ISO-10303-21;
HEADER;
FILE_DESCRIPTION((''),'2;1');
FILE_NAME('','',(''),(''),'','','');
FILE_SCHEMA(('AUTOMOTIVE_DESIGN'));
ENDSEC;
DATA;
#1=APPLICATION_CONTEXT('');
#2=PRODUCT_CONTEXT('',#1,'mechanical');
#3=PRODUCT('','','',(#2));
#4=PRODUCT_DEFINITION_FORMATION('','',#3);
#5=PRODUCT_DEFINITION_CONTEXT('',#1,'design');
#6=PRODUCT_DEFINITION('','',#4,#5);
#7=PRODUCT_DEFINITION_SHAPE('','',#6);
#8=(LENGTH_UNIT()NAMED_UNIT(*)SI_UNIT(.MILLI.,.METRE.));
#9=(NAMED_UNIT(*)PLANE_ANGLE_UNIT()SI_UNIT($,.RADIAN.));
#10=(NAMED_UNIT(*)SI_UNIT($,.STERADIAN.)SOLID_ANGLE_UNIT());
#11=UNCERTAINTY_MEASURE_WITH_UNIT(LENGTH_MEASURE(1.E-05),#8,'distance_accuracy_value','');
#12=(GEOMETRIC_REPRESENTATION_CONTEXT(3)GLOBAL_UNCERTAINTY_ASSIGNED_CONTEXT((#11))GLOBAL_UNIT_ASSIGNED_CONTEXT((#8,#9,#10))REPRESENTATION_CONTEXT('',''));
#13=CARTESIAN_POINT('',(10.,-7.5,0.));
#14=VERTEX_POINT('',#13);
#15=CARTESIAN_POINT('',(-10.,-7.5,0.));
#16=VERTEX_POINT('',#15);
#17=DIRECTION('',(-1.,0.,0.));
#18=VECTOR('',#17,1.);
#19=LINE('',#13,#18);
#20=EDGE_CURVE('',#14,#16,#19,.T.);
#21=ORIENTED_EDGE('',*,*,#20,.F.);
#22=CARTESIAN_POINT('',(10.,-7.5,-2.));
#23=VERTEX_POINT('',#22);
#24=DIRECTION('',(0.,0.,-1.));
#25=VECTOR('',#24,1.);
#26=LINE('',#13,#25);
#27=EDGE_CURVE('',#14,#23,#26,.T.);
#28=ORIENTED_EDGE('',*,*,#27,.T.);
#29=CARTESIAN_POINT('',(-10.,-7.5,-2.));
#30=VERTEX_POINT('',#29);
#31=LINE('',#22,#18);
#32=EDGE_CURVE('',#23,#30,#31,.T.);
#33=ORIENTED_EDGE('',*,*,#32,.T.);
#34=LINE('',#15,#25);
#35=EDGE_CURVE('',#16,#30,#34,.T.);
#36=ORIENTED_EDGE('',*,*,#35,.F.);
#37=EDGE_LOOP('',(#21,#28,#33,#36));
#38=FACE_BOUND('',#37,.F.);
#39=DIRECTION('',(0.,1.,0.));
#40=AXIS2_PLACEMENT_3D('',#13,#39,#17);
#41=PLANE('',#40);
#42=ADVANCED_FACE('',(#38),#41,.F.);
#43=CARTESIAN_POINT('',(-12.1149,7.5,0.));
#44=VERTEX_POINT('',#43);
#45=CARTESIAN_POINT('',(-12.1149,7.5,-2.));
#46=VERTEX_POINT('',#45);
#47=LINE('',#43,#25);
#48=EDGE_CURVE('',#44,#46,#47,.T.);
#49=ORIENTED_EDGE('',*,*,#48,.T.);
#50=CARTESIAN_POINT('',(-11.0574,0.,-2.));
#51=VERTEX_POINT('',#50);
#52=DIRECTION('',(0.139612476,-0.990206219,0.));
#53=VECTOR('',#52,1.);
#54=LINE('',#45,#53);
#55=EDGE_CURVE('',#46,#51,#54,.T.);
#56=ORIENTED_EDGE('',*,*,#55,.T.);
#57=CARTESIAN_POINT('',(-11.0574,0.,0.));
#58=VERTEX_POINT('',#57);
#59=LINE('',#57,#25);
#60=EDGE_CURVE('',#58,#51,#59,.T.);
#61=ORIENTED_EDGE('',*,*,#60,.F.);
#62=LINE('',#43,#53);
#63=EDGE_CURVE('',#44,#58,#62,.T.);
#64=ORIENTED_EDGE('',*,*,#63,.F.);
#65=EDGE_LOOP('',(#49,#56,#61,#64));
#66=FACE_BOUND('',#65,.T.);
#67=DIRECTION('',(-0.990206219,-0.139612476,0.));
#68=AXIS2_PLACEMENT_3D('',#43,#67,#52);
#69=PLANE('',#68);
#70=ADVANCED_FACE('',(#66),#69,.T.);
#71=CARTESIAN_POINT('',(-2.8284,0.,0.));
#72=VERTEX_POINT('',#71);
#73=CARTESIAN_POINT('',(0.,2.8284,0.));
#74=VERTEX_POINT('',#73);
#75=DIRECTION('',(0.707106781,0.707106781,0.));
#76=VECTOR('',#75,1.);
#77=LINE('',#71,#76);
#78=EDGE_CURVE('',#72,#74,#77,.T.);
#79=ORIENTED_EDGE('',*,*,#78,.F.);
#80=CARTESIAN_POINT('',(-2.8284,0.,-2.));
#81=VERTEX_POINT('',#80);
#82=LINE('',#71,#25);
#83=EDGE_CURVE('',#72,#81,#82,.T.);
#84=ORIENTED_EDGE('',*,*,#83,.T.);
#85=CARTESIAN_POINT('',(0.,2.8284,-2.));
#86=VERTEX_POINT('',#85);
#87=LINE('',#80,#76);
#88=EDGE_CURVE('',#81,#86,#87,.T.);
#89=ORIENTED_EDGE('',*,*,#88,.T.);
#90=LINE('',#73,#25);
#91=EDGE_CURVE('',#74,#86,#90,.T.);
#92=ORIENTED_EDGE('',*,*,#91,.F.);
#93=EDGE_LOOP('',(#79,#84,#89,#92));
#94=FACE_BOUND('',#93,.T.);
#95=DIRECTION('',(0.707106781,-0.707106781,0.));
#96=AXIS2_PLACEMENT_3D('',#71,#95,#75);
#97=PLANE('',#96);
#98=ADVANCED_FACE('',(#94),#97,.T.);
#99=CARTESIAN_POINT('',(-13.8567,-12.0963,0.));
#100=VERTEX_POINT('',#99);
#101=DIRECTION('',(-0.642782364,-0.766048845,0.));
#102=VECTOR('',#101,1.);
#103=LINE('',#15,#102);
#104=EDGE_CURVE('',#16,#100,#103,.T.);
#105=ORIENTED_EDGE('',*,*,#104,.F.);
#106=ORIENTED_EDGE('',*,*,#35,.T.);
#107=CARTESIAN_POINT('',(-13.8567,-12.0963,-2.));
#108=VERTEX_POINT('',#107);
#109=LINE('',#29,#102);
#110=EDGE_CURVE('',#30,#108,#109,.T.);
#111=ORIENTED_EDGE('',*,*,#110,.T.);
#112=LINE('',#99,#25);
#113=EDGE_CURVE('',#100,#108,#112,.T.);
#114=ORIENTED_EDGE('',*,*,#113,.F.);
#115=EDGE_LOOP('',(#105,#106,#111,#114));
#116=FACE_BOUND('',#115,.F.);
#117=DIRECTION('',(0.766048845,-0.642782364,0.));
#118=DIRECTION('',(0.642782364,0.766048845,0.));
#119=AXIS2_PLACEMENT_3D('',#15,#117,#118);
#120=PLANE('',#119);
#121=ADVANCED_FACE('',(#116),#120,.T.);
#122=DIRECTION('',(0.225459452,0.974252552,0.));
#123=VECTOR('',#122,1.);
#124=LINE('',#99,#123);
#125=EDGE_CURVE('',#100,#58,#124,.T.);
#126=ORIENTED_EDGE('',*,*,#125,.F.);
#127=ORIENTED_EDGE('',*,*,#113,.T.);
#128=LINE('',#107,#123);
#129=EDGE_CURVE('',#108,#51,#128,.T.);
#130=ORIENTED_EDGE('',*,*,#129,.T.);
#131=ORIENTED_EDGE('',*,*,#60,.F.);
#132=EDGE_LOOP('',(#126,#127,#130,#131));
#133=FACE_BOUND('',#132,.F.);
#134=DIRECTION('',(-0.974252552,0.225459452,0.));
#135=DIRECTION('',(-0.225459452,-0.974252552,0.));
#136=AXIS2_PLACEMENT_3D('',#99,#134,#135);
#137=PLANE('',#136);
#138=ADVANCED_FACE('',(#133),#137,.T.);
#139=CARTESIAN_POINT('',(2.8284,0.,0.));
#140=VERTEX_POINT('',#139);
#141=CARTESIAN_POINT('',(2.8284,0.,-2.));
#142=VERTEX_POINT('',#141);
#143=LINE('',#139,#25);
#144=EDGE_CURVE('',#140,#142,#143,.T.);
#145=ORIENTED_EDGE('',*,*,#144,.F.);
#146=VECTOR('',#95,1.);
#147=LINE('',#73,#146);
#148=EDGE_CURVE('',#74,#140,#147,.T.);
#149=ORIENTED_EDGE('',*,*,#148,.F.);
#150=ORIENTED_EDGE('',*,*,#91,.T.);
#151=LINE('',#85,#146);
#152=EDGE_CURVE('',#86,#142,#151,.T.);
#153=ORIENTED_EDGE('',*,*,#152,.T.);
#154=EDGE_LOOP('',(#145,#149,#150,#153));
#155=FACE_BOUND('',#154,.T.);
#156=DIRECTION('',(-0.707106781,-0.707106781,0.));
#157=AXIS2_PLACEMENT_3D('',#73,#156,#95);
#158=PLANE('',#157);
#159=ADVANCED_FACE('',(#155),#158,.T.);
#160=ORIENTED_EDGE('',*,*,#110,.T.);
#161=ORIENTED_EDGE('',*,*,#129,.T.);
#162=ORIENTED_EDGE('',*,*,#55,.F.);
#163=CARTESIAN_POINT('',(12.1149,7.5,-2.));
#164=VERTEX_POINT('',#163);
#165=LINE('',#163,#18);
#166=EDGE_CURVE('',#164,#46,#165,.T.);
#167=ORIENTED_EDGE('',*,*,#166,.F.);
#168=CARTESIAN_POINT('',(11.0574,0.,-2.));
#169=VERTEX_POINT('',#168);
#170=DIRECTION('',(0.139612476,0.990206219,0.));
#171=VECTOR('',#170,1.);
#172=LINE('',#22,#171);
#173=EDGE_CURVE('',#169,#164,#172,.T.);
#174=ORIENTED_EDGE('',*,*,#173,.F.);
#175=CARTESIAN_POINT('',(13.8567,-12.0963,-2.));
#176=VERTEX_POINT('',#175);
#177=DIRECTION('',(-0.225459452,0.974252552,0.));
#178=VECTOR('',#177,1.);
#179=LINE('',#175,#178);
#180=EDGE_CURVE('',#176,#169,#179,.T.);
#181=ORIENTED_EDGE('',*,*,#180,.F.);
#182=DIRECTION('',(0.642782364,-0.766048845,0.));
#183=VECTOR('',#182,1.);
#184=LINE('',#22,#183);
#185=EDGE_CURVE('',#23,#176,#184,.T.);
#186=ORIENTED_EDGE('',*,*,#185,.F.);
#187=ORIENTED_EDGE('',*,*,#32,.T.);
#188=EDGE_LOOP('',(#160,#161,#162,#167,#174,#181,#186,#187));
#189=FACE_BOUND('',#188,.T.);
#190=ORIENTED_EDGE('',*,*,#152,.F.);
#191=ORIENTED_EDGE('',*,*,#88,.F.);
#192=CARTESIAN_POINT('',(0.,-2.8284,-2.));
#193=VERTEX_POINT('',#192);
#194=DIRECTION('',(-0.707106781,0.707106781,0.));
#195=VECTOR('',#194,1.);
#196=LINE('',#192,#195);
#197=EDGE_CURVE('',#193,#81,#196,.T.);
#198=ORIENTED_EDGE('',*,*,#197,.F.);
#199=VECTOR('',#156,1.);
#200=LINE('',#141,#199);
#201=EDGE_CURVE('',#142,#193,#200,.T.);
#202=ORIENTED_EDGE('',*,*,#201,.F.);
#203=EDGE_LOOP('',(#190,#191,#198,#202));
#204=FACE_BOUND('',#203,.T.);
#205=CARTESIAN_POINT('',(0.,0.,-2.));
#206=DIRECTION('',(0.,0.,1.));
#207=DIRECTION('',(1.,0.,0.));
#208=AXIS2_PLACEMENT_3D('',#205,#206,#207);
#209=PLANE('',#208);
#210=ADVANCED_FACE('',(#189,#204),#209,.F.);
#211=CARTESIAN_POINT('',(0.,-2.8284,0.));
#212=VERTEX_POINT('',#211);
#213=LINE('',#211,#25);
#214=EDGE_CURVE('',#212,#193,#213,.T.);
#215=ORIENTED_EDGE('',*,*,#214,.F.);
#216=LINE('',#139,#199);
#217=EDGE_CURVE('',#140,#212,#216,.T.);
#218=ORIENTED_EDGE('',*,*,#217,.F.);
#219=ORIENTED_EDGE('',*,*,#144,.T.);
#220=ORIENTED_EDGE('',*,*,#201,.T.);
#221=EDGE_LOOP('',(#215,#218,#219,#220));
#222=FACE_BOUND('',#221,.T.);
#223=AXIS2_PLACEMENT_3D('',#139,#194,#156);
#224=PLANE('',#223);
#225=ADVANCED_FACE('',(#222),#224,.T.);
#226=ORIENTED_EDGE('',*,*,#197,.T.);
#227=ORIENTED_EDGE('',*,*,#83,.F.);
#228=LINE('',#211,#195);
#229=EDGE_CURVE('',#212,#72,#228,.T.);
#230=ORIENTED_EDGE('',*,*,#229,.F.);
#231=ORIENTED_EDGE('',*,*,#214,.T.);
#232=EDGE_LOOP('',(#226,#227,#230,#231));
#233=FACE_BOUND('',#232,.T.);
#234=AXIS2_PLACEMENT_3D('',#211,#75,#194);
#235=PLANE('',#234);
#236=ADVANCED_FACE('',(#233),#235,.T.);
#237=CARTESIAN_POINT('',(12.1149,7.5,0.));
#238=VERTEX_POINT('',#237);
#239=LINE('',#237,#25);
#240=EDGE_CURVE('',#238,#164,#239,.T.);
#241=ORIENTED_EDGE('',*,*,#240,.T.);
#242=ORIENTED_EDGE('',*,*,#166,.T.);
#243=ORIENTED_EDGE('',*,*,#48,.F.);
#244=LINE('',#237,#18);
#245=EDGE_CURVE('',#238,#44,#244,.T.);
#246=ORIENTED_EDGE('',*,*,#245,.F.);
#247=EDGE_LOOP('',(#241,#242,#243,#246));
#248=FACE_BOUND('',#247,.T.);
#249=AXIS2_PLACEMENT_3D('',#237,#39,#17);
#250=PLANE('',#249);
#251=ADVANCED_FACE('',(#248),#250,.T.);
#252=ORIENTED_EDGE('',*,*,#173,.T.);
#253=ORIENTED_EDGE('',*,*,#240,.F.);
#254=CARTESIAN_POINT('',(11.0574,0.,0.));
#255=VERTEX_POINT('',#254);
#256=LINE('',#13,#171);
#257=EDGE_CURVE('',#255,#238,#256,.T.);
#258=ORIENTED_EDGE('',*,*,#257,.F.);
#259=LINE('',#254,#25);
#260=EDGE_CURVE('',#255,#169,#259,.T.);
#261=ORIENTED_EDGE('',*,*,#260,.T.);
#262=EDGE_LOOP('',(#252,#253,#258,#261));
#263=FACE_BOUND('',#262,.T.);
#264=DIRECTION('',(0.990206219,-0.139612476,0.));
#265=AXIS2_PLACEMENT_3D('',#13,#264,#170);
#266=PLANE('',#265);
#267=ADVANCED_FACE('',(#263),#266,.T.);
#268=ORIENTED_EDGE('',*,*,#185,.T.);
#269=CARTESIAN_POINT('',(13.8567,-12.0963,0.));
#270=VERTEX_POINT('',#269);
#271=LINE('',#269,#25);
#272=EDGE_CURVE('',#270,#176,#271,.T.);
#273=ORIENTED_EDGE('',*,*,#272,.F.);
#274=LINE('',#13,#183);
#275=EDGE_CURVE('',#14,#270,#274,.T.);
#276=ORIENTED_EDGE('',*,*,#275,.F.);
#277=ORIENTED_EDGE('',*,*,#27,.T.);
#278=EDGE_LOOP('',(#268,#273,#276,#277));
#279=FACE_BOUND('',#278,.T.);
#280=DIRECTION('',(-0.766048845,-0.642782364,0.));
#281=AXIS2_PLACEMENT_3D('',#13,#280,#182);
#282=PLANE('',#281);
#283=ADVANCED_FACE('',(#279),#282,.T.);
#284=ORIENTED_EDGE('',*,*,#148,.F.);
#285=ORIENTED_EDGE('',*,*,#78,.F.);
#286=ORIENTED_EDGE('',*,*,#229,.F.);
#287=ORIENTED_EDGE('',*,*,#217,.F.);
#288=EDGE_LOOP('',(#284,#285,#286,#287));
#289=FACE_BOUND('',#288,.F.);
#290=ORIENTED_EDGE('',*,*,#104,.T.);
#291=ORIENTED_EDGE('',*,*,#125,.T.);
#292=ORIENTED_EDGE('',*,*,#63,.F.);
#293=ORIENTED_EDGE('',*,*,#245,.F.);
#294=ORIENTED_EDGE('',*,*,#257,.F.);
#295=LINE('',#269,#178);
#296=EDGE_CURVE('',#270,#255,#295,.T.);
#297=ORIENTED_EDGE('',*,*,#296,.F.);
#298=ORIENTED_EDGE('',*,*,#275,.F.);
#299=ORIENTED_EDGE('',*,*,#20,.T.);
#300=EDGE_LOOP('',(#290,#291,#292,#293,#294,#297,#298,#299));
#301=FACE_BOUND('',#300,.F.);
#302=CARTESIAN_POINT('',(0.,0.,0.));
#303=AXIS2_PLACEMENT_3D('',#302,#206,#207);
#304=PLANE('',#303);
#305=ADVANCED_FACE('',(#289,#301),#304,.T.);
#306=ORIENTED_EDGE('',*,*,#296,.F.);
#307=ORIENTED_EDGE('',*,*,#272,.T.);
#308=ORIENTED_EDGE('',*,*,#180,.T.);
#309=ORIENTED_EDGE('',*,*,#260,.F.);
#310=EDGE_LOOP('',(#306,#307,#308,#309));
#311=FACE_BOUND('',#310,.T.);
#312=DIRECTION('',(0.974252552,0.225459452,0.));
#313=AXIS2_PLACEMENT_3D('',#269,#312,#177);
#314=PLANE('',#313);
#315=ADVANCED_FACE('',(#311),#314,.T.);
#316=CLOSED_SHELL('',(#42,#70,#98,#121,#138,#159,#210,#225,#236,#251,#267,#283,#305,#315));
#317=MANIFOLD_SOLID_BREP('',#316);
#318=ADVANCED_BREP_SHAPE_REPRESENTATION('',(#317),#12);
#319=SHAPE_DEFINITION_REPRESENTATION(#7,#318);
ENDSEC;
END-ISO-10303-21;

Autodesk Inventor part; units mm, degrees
ref_plane "YZ Plane" through (0, 0, 0) normal (1, 0, 0) x (0, 1, 0)
ref_plane "XZ Plane" through (0, 0, 0) normal (0, 1, 0) x (-1, 0, 0)
ref_plane "XY Plane" through (0, 0, 0) normal (0, 0, 1) x (1, 0, 0)
sketch "スケッチ1" plane through (0, 0, 0) normal (0, 0, 1) x (1, 0, 0)
  line L0 (2.8284, 0) -> (0, -2.8284)
  line L1 (0, -2.8284) -> (-2.8284, 0)
  line L2 (-2.8284, 0) -> (0, 2.8284)
  line L3 (0, 2.8284) -> (2.8284, 0)
  line L4 (-12.1149, 7.5) -> (-10, -7.5)
  line L5 (10, -7.5) -> (-10, -7.5)
  line L6 (10, -7.5) -> (12.1149, 7.5)
  line L7 (12.1149, 7.5) -> (-12.1149, 7.5)
  point P0 (0, 0)
  point P1 (0, 7.5)
  point P2 (11.0574, 0)
  dimension "d10" = 24.2298
  dimension "d11" = 20
  dimension "d12" = 15
  dimension "d13" = 4
extrude "押し出し1" add sketch "スケッチ1" against normal blind 2
sketch "スケッチ2" plane through (0, 0, 0) normal (0, 0, 1) x (1, 0, 0)
  line L0 (10, -7.5) -> (13.8567, -12.0963)
  line L1 (13.8567, -12.0963) -> (11.0574, 0)
  line L2 (-12.1149, 7.5) -> (12.1149, 7.5) projected
  line L3 (12.1149, 7.5) -> (10, -7.5) projected
  line L4 (10, -7.5) -> (-10, -7.5) projected
  line L5 (-10, -7.5) -> (-12.1149, 7.5) projected
  line L6 (0, -2.8284) -> (2.8284, 0) projected
  line L7 (2.8284, 0) -> (0, 2.8284) projected
  line L8 (0, 2.8284) -> (-2.8284, 0) projected
  line L9 (-2.8284, 0) -> (0, -2.8284) projected
  dimension "d7" = 6
  dimension "d14" = 130
extrude "押し出し2" add sketch "スケッチ2" against normal up to surface (2 mm away) contours L3 L1 L0
mirror "ミラー1" about plane through (0, 0, 0) normal (1, 0, 0) of "押し出し2"
properties part number "om_BackHolder_V2"
